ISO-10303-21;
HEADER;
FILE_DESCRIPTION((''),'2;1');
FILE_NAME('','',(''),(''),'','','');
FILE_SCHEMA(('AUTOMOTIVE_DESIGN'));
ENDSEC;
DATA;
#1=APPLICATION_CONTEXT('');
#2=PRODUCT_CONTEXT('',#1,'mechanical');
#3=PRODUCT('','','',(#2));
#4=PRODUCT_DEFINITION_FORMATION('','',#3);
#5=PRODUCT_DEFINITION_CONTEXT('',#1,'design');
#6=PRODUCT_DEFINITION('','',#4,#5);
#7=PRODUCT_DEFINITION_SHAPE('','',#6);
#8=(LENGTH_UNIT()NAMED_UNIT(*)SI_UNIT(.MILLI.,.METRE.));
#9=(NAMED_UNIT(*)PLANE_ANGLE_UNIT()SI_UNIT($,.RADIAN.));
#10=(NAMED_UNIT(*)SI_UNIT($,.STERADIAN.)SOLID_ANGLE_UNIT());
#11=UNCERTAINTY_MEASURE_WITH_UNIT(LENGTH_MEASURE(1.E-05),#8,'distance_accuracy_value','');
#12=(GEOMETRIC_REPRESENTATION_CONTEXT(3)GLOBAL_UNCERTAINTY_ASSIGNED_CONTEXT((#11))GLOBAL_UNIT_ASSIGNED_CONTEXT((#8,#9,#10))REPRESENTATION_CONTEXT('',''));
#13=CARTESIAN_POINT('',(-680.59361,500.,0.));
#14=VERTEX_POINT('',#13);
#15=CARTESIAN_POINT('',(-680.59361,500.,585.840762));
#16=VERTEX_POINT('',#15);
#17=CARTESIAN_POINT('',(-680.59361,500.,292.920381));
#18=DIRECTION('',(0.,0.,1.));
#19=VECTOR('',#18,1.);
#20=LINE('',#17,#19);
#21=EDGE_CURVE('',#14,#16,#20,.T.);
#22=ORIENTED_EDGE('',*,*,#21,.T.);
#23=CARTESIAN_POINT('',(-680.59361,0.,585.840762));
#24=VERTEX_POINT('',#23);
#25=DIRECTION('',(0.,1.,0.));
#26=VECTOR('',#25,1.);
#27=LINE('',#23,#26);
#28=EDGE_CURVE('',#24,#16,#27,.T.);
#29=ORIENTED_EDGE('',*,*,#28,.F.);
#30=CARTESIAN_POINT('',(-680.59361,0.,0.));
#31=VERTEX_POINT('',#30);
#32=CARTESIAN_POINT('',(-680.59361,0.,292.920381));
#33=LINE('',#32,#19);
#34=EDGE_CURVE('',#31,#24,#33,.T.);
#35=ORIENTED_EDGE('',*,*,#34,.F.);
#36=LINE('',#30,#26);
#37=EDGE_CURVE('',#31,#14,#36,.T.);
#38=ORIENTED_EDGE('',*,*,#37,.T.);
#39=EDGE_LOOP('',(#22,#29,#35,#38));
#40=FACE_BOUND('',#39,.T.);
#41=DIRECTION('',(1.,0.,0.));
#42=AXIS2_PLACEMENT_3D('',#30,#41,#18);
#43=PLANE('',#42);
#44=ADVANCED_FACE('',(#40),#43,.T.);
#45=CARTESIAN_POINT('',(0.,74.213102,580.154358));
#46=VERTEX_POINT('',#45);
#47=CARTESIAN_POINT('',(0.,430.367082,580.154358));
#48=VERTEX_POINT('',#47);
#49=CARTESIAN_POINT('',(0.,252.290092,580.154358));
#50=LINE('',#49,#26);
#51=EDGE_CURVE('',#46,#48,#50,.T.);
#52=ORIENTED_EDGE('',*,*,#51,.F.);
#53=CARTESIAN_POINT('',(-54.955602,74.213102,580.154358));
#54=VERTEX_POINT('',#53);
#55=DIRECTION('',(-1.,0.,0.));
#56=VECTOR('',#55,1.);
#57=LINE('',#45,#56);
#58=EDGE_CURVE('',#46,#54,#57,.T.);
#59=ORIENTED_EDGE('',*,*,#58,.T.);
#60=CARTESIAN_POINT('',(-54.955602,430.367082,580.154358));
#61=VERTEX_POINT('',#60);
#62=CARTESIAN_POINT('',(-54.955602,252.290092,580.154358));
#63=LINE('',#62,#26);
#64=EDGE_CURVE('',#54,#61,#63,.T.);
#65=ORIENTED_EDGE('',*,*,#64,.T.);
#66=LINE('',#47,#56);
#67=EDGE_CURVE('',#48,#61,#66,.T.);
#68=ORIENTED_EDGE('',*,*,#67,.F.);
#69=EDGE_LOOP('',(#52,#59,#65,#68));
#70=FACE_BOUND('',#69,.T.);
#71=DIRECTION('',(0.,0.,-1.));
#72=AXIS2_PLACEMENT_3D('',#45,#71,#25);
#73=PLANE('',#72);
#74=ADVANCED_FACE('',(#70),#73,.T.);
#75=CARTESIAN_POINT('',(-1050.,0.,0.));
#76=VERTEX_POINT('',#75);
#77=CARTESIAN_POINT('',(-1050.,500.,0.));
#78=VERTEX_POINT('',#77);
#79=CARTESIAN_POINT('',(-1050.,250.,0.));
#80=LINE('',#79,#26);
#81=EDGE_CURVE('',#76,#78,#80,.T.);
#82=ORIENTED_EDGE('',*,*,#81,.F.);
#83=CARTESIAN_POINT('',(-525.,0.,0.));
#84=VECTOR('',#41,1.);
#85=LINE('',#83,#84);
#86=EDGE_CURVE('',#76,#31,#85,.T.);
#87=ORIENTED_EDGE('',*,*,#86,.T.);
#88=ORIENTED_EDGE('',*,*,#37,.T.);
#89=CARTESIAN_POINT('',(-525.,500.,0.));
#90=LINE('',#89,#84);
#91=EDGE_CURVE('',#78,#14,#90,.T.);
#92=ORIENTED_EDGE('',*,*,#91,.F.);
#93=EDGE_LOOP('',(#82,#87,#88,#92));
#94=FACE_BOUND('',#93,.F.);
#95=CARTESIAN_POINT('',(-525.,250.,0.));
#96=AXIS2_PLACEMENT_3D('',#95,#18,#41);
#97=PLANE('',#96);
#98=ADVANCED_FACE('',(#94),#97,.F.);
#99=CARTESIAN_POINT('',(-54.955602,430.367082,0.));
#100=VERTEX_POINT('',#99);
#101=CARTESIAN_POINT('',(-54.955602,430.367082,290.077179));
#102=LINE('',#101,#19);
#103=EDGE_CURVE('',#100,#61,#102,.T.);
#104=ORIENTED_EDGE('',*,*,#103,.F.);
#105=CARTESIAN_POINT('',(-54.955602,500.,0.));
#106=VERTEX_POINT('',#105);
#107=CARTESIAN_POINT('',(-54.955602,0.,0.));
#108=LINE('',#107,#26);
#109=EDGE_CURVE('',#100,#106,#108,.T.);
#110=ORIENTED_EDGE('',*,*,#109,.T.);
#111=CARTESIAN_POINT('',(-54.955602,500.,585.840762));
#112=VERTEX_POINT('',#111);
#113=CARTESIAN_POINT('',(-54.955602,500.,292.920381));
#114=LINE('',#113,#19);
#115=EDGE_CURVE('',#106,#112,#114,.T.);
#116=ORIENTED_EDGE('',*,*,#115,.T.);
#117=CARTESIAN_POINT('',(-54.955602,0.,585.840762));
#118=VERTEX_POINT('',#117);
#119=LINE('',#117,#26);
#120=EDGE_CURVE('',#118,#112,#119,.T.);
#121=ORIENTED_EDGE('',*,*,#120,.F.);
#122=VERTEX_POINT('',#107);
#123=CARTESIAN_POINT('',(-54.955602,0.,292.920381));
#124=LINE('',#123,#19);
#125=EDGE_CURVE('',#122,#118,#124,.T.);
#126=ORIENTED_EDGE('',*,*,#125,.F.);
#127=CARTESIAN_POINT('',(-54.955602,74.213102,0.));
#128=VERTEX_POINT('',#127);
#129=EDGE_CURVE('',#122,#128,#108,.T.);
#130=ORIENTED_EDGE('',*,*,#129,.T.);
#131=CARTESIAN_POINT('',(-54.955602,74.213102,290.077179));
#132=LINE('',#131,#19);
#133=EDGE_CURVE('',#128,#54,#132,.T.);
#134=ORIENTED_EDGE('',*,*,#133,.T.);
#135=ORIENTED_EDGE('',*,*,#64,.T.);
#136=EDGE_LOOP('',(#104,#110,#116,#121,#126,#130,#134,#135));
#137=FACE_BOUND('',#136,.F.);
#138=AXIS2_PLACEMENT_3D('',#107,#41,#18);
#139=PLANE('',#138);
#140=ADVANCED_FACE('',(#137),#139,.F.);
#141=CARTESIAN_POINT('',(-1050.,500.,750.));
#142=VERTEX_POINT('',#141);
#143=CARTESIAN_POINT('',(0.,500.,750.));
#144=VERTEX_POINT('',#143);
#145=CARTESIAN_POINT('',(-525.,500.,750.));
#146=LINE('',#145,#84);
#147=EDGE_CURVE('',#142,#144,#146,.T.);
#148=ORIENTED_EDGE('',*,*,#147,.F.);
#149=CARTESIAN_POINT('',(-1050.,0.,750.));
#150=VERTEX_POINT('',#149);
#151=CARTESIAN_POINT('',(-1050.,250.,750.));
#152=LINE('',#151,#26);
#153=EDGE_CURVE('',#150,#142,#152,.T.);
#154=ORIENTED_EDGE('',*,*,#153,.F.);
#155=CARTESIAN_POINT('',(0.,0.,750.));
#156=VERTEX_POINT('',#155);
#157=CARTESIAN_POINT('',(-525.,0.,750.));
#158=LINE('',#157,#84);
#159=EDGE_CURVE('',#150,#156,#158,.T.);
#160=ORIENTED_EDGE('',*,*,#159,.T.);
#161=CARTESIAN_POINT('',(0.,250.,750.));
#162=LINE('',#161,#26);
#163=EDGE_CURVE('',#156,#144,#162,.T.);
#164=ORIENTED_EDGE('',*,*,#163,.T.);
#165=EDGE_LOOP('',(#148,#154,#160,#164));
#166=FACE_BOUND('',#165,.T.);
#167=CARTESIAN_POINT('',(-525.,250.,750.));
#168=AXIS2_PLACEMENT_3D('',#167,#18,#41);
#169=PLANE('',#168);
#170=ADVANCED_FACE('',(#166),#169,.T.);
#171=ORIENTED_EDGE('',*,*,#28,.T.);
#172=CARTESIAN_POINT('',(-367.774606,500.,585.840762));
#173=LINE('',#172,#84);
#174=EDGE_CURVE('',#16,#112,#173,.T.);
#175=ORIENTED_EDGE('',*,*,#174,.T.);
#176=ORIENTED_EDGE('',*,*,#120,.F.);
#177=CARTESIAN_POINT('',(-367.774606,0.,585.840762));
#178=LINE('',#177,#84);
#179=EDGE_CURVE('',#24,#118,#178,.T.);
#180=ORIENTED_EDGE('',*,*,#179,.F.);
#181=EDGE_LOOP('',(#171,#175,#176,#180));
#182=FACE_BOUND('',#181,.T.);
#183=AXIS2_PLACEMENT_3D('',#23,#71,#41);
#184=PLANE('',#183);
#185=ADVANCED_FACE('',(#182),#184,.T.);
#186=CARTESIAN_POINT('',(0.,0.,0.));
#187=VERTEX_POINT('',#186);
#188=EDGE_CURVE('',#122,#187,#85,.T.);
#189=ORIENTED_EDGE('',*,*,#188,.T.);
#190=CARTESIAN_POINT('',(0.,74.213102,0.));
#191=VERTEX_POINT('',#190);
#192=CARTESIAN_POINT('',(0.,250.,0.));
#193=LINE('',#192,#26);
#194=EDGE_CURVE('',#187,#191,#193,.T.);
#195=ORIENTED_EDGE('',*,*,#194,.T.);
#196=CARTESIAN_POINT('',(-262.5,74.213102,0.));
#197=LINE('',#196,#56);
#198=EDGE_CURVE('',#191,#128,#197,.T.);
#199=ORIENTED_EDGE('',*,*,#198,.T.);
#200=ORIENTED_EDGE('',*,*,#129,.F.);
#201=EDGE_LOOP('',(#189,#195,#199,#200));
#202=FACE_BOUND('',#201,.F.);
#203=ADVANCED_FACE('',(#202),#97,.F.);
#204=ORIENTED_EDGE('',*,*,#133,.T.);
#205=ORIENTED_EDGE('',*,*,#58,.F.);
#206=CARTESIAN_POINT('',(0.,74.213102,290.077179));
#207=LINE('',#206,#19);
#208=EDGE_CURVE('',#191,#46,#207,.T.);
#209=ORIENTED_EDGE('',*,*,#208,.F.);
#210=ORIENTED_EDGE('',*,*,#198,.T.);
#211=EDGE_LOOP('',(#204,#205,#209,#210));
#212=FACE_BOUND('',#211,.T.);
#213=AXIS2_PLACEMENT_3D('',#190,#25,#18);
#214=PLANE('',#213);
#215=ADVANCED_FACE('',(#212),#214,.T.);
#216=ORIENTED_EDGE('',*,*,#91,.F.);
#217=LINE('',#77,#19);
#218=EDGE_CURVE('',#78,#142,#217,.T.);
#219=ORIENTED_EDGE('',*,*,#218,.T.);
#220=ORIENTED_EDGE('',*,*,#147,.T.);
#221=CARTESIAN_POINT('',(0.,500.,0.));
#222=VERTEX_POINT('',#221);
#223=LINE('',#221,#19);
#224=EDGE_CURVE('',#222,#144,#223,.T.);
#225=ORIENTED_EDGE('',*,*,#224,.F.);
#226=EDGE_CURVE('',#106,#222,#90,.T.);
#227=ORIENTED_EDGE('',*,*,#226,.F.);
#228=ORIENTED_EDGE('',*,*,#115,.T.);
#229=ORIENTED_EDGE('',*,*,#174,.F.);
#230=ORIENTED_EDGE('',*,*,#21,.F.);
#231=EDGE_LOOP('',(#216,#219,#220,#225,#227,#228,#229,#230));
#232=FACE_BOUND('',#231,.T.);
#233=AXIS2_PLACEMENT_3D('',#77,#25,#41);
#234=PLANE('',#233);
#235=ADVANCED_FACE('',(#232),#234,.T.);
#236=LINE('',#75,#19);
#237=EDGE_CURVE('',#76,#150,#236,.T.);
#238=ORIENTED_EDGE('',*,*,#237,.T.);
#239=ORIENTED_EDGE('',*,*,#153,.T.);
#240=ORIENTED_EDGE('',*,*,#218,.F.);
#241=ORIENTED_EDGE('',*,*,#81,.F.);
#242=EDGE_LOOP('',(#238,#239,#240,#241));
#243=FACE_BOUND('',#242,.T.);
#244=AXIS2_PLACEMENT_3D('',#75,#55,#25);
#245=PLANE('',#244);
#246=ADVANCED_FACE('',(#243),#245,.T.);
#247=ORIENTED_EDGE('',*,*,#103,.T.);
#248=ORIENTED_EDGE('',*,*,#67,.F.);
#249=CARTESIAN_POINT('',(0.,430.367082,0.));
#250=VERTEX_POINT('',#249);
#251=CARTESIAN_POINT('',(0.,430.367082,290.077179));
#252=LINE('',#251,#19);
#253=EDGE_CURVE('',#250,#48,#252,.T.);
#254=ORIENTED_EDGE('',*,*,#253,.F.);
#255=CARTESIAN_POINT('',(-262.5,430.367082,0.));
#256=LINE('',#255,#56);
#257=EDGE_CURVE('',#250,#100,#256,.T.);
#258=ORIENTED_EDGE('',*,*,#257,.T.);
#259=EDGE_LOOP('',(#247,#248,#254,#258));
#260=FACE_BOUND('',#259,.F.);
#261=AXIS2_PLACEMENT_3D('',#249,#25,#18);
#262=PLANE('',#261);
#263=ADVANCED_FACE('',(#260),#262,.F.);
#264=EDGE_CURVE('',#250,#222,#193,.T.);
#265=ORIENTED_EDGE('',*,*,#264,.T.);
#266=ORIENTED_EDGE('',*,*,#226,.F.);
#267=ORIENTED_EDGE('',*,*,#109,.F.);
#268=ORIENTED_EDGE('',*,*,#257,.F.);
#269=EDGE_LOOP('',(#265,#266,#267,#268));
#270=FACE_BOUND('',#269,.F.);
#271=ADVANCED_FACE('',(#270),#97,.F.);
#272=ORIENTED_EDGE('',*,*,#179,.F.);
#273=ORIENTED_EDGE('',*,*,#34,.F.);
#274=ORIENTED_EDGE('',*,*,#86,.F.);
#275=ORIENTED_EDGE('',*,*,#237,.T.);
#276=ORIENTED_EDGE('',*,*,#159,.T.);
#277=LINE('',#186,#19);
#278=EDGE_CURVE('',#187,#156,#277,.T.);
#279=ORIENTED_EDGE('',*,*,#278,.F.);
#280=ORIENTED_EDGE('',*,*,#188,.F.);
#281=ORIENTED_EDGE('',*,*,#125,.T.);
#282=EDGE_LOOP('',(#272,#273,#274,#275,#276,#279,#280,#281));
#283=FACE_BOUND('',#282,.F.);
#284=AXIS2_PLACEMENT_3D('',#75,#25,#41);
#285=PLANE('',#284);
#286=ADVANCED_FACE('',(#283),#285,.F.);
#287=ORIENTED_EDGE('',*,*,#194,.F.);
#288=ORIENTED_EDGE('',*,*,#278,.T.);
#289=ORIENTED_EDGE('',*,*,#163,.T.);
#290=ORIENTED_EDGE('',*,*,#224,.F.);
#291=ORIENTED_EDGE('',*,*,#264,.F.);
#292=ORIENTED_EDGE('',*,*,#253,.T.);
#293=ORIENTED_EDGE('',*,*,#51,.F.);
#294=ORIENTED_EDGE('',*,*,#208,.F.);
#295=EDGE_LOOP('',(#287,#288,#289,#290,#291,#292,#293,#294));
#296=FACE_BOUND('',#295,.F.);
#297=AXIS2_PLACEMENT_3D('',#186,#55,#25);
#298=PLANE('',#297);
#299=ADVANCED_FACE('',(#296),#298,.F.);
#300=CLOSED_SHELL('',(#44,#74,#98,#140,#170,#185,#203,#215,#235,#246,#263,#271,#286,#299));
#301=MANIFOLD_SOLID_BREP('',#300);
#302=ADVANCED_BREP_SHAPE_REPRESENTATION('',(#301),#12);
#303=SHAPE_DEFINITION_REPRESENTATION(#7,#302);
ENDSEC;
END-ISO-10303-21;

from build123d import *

# Parameters (mm, degrees)
F0_W     = 1050
F0_H     = 500
F1_DEPTH = 750
F2_W     = 625.638008
F2_H     = 585.840762
F3_DEPTH = 500
F4_W     = 356.15398
F4_H     = 580.154359
F5_DEPTH = 54.955602


with BuildPart() as f1:
    # F0 (on Top) → F1 (new body)
    with BuildSketch(Plane.XY):
        with Locations((-525, 250)):
            Rectangle(F0_W, F0_H)
    extrude(amount=F1_DEPTH)

    # F2 (on face) → F3 (cut, through all)
    with BuildSketch(Plane.XZ):
        with Locations((-367.774606, 292.920381)):
            Rectangle(F2_W, F2_H)
    extrude(amount=-F3_DEPTH, mode=Mode.SUBTRACT)

    # F4 (on face) → F5 (cut, through all)
    with BuildSketch(Plane.YZ):
        with Locations((252.290092, 290.077179)):
            Rectangle(F4_W, F4_H)
    extrude(amount=-F5_DEPTH, mode=Mode.SUBTRACT)


solid = f1.part
